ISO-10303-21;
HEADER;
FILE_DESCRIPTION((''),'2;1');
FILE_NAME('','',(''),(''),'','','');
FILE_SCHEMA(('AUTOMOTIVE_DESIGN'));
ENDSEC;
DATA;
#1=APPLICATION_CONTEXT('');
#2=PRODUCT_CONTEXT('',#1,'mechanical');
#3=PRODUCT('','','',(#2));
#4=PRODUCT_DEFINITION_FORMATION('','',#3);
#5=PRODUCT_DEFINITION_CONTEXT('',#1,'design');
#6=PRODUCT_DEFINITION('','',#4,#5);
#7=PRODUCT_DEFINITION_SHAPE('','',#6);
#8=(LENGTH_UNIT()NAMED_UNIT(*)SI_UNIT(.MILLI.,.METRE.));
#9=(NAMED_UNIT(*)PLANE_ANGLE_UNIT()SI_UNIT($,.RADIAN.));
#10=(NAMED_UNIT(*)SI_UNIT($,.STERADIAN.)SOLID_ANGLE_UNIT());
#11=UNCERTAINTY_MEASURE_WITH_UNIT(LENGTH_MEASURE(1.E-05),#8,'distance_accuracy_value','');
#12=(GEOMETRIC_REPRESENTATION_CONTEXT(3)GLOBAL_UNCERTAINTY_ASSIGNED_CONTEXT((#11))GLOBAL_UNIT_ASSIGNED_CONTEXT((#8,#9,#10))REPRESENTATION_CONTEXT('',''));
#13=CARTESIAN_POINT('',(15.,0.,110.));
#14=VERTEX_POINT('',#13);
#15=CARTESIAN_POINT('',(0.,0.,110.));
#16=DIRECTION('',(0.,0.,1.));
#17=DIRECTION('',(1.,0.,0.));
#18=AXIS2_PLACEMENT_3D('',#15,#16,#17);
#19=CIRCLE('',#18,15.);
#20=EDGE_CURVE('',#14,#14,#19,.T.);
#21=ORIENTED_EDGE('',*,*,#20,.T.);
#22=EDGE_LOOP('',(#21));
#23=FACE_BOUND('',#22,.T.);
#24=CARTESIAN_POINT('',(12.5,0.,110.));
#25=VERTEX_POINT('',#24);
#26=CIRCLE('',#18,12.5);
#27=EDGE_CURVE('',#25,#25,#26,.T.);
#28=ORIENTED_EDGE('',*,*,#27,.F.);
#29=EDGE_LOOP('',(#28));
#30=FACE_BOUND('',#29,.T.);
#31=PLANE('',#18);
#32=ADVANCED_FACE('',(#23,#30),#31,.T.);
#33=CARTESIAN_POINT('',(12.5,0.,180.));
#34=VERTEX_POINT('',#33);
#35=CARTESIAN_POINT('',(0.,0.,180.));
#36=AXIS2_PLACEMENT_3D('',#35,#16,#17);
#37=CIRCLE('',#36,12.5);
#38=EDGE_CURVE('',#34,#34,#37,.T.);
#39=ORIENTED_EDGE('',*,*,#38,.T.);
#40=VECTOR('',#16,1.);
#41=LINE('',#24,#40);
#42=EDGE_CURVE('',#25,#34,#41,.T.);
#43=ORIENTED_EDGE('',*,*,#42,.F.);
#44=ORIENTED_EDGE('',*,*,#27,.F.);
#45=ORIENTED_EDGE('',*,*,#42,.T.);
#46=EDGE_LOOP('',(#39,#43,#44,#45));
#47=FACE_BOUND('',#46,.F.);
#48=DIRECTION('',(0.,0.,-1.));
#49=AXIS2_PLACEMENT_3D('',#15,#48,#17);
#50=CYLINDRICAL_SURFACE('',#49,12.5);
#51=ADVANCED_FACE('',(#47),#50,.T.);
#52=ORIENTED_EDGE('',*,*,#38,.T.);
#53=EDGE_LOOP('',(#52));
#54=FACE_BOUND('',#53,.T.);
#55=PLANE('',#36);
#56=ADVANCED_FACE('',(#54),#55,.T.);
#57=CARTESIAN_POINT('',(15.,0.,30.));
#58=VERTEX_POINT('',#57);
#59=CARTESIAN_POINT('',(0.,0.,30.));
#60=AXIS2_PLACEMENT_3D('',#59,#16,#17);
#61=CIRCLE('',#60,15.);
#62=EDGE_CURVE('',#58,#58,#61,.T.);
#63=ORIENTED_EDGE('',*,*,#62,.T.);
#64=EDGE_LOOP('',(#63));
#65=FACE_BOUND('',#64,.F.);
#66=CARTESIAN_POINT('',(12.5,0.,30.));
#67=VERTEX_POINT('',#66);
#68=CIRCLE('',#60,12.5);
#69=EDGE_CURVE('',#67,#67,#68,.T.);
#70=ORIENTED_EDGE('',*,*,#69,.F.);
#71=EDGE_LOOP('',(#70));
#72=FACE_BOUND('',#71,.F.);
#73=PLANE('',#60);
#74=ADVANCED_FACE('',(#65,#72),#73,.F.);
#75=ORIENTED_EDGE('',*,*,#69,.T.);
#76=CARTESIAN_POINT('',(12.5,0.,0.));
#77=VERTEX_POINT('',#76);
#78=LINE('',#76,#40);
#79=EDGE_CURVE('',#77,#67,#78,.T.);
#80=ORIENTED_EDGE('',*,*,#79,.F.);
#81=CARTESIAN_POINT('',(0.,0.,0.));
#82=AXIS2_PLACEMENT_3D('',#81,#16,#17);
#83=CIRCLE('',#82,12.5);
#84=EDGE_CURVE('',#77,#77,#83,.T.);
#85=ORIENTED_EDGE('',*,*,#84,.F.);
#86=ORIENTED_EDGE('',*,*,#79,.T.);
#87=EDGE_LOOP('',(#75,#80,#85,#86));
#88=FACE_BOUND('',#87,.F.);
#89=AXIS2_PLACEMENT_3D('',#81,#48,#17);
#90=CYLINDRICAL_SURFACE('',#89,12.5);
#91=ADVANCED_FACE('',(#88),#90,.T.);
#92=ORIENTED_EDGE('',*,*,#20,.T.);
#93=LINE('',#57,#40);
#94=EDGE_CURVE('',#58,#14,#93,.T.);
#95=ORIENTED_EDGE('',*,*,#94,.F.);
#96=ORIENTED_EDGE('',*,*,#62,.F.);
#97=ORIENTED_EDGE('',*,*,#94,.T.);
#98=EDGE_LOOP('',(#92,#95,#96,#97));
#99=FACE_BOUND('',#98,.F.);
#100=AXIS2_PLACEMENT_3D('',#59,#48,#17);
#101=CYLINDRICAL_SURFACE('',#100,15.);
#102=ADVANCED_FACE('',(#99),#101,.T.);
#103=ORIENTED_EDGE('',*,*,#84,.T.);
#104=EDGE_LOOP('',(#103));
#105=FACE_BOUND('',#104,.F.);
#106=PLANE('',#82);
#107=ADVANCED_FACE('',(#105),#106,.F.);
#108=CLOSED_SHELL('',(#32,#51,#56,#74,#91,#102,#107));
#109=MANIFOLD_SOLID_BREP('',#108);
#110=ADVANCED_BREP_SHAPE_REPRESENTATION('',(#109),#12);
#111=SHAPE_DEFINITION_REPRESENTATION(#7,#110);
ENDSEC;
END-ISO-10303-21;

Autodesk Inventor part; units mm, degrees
ref_plane "YZ Plane" through (0, 0, 0) normal (1, 0, 0) x (0, 1, 0)
ref_plane "XZ Plane" through (0, 0, 0) normal (0, 1, 0) x (-1, 0, 0)
ref_plane "XY Plane" through (0, 0, 0) normal (0, 0, 1) x (1, 0, 0)
sketch "Náčrt1" plane through (0, 0, 0) normal (0, 0, 1) x (1, 0, 0)
  circle A0 centre (0, 0) radius 12.5
  dimension "d0" = 25
extrude "Vysunutí1" add sketch "Náčrt1" along normal blind 30
sketch "Náčrt2" plane through (0, 0, 30) normal (0, 0, 1) x (1, 0, 0)
  circle A0 centre (0, 0) radius 15
  dimension "d3" = 30
extrude "Vysunutí2" add sketch "Náčrt2" along normal blind 80
sketch "Náčrt3" plane through (0, 0, 110) normal (0, 0, 1) x (1, 0, 0)
  circle A0 centre (0, 0) radius 12.5
  dimension "d6" = 25
extrude "Vysunutí3" add sketch "Náčrt3" along normal blind 70
sketch "Náčrt4" plane through (0, 0, 0) normal (1, 0, 0) x (0, 1, 0)
  point P0 (0, 0)
sketch "Náčrt5" plane through (0, 0, 0) normal (0, 1, 0) x (-1, 0, 0)
  line L0 (0, -36) -> (0, 216) construction
  arc A0 (-4, 38.6) -> (4, 38.6) centre (0, 38.6) ccw
  line L1 (-15, 30) -> (15, 30) construction
  arc A1 (4, 70.6) -> (-4, 70.6) centre (0, 70.6) ccw
  line L2 (4, 70.6) -> (4, 38.6)
  line L3 (-4, 70.6) -> (-4, 38.6)
  point P0 (0, 0)
  dimension "d9" = 8
  dimension "d10" = 8.6
  dimension "d11" = 8
  dimension "d12" = 32
properties part number "Součást3"
